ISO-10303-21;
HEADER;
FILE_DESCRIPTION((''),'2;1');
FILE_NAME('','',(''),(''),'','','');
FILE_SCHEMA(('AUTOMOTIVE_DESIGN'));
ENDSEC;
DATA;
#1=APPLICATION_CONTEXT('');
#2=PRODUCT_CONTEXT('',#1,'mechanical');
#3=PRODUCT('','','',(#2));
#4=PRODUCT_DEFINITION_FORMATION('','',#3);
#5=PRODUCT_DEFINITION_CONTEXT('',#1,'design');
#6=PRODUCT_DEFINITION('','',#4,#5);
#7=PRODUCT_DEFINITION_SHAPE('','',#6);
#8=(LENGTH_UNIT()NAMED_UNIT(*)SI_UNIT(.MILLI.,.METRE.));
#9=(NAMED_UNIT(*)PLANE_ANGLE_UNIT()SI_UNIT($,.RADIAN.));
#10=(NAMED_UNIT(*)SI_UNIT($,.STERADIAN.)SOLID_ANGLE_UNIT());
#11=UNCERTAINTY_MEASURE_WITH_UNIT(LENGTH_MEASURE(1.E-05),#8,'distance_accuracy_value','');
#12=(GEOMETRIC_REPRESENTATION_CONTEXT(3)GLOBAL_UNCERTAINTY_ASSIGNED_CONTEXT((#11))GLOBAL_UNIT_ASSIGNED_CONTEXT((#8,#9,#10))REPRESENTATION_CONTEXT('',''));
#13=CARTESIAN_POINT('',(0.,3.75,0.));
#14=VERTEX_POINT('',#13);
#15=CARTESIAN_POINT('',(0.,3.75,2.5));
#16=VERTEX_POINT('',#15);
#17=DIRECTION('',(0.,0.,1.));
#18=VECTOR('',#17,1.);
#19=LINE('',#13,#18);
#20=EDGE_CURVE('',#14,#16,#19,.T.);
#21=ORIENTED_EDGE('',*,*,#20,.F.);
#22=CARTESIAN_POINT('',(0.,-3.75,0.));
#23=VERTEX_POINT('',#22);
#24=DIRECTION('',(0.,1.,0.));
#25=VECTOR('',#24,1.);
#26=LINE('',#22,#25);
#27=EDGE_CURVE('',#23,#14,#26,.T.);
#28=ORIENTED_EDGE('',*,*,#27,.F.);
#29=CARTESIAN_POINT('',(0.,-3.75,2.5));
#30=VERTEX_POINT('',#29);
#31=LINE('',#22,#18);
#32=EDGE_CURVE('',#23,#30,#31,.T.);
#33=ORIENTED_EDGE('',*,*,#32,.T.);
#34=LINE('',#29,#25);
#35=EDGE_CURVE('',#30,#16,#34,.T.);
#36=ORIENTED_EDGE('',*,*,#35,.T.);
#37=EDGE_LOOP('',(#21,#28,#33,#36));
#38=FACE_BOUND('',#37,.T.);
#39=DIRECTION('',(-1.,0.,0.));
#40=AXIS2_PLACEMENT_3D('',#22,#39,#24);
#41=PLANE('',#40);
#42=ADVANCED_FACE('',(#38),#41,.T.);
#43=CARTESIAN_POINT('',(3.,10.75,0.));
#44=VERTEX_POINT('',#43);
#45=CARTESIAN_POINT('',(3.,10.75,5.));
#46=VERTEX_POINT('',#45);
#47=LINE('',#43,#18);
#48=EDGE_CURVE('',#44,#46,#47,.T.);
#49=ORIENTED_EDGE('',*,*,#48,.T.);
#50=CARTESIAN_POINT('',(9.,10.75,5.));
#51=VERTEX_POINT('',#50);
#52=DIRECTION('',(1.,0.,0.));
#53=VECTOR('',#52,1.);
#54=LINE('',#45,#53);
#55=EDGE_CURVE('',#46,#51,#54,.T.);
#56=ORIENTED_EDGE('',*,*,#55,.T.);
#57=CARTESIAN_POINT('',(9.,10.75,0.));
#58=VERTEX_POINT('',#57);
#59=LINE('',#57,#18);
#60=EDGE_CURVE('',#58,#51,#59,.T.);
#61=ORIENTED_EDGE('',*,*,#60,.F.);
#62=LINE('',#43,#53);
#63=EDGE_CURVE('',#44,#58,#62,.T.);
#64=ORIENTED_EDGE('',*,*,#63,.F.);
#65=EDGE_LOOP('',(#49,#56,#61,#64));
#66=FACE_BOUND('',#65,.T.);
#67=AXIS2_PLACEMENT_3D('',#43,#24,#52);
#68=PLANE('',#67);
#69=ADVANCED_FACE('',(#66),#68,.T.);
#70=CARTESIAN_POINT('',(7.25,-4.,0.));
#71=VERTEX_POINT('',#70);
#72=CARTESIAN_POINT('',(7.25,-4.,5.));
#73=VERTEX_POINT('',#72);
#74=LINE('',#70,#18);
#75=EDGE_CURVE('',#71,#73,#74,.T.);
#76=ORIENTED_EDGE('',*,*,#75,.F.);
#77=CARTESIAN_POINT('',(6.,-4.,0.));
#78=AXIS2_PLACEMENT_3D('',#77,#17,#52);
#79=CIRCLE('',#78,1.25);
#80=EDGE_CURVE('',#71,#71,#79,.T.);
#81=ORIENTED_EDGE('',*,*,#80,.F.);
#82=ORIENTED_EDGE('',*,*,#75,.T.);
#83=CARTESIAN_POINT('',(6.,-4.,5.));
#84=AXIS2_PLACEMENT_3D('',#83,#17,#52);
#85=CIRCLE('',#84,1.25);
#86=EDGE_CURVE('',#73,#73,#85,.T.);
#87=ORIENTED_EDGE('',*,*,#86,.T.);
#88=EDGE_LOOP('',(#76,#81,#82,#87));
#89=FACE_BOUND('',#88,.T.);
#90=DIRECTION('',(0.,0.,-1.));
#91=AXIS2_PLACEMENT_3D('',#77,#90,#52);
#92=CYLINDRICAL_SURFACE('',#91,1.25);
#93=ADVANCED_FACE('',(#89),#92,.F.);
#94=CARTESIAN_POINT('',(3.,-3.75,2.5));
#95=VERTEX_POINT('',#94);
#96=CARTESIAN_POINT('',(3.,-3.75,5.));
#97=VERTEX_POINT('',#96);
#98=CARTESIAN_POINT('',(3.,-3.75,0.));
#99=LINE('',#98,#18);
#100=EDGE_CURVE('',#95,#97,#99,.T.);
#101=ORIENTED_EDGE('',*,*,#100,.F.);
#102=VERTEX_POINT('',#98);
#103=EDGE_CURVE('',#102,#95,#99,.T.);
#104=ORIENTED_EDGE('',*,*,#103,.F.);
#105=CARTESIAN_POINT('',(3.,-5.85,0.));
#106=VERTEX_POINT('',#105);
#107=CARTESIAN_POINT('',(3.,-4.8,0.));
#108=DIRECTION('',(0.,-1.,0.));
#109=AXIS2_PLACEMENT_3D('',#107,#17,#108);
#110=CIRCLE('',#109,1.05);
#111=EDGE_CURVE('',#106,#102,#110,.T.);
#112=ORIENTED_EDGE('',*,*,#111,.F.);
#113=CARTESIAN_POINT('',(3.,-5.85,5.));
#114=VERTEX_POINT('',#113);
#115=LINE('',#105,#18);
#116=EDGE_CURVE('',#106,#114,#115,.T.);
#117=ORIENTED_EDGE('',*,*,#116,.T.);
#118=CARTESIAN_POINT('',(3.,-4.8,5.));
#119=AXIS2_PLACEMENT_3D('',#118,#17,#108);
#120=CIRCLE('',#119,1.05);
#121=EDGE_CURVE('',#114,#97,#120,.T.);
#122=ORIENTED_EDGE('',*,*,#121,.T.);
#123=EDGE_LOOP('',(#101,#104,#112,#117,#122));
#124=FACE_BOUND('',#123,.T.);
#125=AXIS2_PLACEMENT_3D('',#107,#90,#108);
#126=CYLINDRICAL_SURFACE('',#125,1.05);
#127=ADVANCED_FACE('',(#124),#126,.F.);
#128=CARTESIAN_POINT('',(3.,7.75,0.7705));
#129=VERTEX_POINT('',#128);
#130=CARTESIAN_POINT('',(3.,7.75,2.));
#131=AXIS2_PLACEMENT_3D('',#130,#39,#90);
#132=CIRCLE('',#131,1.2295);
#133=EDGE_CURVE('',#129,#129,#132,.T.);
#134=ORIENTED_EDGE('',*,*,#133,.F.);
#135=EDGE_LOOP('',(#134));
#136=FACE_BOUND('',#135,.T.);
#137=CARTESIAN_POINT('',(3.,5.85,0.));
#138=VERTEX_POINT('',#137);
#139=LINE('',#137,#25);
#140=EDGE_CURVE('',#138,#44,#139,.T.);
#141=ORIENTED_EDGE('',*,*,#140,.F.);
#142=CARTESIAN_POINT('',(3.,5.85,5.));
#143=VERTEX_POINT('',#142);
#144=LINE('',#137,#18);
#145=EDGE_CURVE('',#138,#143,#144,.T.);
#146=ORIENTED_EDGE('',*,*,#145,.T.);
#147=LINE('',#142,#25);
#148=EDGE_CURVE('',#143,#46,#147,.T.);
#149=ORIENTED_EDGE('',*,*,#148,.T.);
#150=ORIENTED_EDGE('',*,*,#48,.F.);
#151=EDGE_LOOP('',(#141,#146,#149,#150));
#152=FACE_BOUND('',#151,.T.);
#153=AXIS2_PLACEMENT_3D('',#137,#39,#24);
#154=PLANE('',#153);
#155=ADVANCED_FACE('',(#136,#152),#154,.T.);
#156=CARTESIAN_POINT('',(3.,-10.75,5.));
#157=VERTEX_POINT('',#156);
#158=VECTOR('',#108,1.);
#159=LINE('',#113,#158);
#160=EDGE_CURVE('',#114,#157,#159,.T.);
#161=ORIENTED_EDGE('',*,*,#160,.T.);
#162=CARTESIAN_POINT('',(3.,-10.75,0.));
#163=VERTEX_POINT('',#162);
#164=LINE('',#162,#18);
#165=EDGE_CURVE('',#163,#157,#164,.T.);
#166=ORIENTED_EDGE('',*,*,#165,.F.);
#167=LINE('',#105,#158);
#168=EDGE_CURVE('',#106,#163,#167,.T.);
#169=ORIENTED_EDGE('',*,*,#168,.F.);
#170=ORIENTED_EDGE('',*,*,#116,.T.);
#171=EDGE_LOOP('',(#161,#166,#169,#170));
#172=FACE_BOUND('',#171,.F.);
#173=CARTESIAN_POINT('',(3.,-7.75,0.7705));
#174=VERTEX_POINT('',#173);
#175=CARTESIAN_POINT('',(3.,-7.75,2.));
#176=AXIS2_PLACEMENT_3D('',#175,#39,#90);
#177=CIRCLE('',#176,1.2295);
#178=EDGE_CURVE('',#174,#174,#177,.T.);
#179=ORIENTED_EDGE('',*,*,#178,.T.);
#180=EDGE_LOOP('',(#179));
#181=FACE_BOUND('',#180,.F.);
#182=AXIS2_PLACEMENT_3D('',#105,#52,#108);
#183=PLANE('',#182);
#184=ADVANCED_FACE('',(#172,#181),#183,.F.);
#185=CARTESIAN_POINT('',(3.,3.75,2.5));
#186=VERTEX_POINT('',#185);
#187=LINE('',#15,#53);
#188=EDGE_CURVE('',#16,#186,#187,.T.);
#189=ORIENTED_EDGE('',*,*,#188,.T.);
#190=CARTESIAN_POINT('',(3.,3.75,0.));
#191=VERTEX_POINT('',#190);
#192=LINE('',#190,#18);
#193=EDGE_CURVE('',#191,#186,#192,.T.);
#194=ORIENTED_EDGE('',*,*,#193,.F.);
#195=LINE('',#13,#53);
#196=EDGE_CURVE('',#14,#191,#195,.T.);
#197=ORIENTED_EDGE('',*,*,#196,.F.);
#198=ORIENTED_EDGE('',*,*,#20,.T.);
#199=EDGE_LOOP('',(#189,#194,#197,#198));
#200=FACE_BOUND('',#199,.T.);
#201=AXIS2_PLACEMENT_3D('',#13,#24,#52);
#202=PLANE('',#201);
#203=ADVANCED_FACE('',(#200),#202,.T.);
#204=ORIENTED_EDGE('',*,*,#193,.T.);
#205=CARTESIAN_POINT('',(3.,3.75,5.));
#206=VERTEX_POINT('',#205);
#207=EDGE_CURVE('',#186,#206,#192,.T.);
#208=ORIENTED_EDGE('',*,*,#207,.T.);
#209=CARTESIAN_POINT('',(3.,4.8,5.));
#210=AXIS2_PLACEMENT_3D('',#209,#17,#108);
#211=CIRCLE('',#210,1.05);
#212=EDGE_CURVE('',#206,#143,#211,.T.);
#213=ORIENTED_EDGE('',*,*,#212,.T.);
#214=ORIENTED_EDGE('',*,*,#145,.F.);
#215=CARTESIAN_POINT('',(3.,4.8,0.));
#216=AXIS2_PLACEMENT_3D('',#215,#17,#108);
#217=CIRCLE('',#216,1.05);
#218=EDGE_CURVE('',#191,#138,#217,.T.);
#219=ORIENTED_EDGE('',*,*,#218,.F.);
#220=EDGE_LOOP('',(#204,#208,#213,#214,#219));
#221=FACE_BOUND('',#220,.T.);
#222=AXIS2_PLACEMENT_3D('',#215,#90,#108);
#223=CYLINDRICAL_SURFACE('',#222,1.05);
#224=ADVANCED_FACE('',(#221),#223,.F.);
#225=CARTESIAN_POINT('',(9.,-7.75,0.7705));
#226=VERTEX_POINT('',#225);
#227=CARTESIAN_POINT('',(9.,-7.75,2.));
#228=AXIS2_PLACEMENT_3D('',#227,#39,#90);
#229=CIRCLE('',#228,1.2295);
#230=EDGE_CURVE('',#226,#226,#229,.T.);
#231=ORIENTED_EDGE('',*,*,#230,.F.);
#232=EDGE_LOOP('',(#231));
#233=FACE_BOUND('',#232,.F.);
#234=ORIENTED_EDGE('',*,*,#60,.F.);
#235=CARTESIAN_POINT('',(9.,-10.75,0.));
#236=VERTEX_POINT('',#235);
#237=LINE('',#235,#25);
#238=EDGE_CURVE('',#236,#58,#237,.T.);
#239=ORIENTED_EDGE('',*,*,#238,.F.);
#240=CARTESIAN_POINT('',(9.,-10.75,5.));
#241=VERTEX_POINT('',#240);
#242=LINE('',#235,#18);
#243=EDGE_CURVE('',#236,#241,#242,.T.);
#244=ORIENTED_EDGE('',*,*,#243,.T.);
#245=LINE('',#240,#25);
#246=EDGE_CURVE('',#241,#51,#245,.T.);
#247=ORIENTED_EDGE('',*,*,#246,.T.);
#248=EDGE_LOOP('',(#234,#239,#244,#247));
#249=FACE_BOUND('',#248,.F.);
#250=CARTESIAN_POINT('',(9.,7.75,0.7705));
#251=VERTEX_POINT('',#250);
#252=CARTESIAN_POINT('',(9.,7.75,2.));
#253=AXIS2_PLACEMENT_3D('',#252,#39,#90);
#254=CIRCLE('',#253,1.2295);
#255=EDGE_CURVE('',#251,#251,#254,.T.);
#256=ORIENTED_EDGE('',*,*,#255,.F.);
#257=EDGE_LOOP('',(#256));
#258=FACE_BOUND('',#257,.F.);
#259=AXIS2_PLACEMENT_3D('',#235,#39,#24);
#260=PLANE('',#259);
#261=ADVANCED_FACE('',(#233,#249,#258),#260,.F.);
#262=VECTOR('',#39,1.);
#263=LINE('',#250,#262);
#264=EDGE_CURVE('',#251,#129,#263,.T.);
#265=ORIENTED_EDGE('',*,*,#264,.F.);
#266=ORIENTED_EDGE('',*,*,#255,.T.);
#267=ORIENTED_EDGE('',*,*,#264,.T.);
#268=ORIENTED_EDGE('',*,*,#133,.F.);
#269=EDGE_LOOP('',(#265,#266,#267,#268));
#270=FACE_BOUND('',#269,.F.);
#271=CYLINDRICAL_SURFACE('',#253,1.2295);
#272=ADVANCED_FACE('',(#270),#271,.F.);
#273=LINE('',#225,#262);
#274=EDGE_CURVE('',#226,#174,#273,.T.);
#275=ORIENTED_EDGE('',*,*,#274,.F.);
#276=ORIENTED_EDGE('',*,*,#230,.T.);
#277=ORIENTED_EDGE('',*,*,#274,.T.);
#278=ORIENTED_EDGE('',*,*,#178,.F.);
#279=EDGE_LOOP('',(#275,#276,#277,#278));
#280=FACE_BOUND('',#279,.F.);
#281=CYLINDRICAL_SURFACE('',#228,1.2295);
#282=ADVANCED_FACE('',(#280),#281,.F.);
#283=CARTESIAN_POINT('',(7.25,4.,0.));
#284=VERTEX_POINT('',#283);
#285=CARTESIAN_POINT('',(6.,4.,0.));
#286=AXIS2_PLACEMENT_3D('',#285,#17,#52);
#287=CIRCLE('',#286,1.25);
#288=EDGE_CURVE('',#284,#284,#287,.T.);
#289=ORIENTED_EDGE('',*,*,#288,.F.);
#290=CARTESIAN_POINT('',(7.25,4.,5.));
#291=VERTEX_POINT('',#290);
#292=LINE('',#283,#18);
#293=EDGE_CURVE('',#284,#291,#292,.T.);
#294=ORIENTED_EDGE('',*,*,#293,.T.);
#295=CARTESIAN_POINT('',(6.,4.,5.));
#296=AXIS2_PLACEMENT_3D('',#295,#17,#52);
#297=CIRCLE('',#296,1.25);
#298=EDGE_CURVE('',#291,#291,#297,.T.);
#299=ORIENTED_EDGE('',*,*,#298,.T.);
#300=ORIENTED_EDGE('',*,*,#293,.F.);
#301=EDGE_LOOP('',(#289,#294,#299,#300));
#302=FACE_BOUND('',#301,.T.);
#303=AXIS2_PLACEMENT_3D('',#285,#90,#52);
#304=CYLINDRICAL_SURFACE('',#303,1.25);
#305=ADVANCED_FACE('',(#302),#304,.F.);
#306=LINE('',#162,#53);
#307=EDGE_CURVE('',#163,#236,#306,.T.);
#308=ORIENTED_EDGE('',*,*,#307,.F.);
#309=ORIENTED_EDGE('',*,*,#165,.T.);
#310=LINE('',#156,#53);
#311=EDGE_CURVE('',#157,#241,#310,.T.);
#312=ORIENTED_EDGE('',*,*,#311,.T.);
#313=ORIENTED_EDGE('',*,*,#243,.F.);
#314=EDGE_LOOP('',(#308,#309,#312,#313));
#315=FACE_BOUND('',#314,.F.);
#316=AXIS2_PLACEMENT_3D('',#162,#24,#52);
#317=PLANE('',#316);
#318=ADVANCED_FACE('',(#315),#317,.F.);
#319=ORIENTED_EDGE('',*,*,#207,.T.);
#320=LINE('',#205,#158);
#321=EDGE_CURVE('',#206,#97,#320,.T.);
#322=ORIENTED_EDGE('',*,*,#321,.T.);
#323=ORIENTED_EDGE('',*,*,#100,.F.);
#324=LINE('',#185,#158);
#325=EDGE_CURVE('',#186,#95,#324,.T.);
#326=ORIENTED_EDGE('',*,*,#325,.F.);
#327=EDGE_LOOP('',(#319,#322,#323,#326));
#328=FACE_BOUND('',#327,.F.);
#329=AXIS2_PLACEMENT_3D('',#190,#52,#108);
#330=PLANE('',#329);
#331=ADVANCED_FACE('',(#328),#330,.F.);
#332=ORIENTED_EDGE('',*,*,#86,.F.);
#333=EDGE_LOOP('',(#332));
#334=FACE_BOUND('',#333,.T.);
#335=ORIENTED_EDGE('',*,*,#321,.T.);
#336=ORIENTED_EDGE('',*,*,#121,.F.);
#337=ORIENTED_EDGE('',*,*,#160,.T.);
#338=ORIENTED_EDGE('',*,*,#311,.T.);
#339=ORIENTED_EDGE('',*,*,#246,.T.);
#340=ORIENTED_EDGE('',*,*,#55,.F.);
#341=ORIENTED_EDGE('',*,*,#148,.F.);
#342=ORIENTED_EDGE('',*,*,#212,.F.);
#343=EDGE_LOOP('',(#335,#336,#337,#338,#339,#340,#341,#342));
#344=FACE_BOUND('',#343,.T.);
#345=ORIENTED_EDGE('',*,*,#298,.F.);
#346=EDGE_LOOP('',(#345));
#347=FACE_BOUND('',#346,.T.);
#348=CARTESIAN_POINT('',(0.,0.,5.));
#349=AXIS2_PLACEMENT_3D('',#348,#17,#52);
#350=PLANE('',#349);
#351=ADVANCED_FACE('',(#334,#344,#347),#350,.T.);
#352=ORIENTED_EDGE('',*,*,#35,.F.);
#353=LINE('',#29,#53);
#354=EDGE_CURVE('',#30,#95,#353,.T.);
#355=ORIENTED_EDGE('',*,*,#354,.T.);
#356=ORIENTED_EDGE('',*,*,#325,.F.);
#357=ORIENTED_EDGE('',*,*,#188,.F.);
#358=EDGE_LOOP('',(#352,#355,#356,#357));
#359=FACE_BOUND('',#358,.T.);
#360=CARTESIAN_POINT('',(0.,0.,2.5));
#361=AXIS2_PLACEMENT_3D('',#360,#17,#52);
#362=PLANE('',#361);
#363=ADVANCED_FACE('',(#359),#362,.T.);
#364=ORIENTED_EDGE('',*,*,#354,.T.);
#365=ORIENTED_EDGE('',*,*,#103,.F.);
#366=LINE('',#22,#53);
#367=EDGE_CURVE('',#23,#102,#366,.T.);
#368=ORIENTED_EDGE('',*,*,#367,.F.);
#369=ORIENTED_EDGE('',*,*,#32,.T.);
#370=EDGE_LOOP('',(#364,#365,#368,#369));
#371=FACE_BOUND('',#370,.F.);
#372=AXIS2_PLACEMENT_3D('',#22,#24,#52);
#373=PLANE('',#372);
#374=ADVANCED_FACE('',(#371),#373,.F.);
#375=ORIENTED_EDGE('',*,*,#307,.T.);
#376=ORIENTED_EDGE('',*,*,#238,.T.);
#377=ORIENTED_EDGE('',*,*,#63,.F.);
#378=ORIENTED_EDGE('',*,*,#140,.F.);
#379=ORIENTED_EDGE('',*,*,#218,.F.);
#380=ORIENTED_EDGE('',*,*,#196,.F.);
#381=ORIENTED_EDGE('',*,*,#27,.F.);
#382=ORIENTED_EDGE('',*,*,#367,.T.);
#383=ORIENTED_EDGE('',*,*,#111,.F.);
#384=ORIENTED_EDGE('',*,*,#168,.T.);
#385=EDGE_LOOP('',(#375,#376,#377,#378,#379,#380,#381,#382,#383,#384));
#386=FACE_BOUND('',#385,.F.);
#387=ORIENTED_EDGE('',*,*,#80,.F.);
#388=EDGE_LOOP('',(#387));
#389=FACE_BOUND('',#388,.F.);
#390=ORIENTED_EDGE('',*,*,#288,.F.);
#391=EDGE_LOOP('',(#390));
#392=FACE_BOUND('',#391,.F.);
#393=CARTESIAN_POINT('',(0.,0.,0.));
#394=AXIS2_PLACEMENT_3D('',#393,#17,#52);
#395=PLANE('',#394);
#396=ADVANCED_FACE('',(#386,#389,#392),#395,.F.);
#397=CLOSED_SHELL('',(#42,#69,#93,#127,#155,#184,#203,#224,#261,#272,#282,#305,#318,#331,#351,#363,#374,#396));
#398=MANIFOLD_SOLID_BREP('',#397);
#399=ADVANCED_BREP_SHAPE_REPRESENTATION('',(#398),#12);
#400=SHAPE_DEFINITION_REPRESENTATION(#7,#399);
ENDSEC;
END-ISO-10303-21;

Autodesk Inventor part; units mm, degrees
ref_plane "YZ Plane" through (0, 0, 0) normal (1, 0, 0) x (0, 1, 0)
ref_plane "XZ Plane" through (0, 0, 0) normal (0, 1, 0) x (-1, 0, 0)
ref_plane "XY Plane" through (0, 0, 0) normal (0, 0, 1) x (1, 0, 0)
sketch "スケッチ1" plane through (0, 0, 0) normal (0, 0, 1) x (1, 0, 0)
  line L0 (0, -3.75) -> (0, 3.75)
  line L1 (0, -3.75) -> (3, -3.75)
  line L2 (3, -5.85) -> (3, -10.75)
  line L3 (3, -10.75) -> (9, -10.75)
  line L4 (9, -10.75) -> (9, 10.75)
  line L5 (0, 0) -> (9, 0) construction
  arc A0 (3, -5.85) -> (3, -3.75) centre (3, -4.8) ccw
  line L6 (3, -7.75) -> (9, -7.75) construction
  line L7 (3, -9.25) -> (9, -9.25) construction
  line L8 (3, -6.25) -> (9, -6.25) construction
  line L9 (0, 3.75) -> (3, 3.75)
  line L10 (3, 5.85) -> (3, 10.75)
  line L11 (3, 10.75) -> (9, 10.75)
  arc A1 (3, 3.75) -> (3, 5.85) centre (3, 4.8) ccw
  line L12 (3, 7.75) -> (9, 7.75) construction
  line L13 (3, 9.25) -> (9, 9.25) construction
  line L14 (3, 6.25) -> (9, 6.25) construction
  circle A2 centre (6, -4) radius 1.25
  circle A3 centre (6, 4) radius 1.25
  line L15 (6, -10.75) -> (6, 10.75) construction
  line L16 (3, 3.75) -> (3, -3.75)
  dimension "d0" = 3
  dimension "d1" = 6
  dimension "d2" = 1.05
  dimension "d3" = 7.5
  dimension "d4" = 21.5
  dimension "d5" = 3
  dimension "d6" = 15.5
  dimension "d7" = 2.5
  dimension "d9" = 8
extrude "押し出し1" add sketch "スケッチ1" along normal blind 5 contours L16 A1 L10 L11 L4 L3 L2 A0
extrude "押し出し2" add sketch "スケッチ1" along normal blind 2.5 contours L0 L9 L16 L1
sketch "スケッチ2" plane through (9, -10.75, 0) normal (1, 0, 0) x (0, 0, -1)
  line L0 (0, 10.75) -> (-5, 10.75) construction
  line L1 (-5, 0) -> (-5, 21.5) projected
  line L2 (0, 0) -> (-5, 0) projected
  line L3 (0, 21.5) -> (-5, 21.5) projected
  line L4 (-2, 0) -> (-2, 21.5) construction
  point P0 (-2, 3)
  point P1 (-2, 18.5)
  dimension "d13" = 15.5
  dimension "d23" = 3
hole "穴1" at (9, -7.75, 2) at (9, 7.75, 2) direction (-1, 0, 0) diameter 2.459 depth 6 thread size "M3x0.5" class "6H" standard "ISO Metric profile"
equation "\"d13\" = d6"
properties part number "Foot_root_block" material "アルミニウム 2014-T4"
